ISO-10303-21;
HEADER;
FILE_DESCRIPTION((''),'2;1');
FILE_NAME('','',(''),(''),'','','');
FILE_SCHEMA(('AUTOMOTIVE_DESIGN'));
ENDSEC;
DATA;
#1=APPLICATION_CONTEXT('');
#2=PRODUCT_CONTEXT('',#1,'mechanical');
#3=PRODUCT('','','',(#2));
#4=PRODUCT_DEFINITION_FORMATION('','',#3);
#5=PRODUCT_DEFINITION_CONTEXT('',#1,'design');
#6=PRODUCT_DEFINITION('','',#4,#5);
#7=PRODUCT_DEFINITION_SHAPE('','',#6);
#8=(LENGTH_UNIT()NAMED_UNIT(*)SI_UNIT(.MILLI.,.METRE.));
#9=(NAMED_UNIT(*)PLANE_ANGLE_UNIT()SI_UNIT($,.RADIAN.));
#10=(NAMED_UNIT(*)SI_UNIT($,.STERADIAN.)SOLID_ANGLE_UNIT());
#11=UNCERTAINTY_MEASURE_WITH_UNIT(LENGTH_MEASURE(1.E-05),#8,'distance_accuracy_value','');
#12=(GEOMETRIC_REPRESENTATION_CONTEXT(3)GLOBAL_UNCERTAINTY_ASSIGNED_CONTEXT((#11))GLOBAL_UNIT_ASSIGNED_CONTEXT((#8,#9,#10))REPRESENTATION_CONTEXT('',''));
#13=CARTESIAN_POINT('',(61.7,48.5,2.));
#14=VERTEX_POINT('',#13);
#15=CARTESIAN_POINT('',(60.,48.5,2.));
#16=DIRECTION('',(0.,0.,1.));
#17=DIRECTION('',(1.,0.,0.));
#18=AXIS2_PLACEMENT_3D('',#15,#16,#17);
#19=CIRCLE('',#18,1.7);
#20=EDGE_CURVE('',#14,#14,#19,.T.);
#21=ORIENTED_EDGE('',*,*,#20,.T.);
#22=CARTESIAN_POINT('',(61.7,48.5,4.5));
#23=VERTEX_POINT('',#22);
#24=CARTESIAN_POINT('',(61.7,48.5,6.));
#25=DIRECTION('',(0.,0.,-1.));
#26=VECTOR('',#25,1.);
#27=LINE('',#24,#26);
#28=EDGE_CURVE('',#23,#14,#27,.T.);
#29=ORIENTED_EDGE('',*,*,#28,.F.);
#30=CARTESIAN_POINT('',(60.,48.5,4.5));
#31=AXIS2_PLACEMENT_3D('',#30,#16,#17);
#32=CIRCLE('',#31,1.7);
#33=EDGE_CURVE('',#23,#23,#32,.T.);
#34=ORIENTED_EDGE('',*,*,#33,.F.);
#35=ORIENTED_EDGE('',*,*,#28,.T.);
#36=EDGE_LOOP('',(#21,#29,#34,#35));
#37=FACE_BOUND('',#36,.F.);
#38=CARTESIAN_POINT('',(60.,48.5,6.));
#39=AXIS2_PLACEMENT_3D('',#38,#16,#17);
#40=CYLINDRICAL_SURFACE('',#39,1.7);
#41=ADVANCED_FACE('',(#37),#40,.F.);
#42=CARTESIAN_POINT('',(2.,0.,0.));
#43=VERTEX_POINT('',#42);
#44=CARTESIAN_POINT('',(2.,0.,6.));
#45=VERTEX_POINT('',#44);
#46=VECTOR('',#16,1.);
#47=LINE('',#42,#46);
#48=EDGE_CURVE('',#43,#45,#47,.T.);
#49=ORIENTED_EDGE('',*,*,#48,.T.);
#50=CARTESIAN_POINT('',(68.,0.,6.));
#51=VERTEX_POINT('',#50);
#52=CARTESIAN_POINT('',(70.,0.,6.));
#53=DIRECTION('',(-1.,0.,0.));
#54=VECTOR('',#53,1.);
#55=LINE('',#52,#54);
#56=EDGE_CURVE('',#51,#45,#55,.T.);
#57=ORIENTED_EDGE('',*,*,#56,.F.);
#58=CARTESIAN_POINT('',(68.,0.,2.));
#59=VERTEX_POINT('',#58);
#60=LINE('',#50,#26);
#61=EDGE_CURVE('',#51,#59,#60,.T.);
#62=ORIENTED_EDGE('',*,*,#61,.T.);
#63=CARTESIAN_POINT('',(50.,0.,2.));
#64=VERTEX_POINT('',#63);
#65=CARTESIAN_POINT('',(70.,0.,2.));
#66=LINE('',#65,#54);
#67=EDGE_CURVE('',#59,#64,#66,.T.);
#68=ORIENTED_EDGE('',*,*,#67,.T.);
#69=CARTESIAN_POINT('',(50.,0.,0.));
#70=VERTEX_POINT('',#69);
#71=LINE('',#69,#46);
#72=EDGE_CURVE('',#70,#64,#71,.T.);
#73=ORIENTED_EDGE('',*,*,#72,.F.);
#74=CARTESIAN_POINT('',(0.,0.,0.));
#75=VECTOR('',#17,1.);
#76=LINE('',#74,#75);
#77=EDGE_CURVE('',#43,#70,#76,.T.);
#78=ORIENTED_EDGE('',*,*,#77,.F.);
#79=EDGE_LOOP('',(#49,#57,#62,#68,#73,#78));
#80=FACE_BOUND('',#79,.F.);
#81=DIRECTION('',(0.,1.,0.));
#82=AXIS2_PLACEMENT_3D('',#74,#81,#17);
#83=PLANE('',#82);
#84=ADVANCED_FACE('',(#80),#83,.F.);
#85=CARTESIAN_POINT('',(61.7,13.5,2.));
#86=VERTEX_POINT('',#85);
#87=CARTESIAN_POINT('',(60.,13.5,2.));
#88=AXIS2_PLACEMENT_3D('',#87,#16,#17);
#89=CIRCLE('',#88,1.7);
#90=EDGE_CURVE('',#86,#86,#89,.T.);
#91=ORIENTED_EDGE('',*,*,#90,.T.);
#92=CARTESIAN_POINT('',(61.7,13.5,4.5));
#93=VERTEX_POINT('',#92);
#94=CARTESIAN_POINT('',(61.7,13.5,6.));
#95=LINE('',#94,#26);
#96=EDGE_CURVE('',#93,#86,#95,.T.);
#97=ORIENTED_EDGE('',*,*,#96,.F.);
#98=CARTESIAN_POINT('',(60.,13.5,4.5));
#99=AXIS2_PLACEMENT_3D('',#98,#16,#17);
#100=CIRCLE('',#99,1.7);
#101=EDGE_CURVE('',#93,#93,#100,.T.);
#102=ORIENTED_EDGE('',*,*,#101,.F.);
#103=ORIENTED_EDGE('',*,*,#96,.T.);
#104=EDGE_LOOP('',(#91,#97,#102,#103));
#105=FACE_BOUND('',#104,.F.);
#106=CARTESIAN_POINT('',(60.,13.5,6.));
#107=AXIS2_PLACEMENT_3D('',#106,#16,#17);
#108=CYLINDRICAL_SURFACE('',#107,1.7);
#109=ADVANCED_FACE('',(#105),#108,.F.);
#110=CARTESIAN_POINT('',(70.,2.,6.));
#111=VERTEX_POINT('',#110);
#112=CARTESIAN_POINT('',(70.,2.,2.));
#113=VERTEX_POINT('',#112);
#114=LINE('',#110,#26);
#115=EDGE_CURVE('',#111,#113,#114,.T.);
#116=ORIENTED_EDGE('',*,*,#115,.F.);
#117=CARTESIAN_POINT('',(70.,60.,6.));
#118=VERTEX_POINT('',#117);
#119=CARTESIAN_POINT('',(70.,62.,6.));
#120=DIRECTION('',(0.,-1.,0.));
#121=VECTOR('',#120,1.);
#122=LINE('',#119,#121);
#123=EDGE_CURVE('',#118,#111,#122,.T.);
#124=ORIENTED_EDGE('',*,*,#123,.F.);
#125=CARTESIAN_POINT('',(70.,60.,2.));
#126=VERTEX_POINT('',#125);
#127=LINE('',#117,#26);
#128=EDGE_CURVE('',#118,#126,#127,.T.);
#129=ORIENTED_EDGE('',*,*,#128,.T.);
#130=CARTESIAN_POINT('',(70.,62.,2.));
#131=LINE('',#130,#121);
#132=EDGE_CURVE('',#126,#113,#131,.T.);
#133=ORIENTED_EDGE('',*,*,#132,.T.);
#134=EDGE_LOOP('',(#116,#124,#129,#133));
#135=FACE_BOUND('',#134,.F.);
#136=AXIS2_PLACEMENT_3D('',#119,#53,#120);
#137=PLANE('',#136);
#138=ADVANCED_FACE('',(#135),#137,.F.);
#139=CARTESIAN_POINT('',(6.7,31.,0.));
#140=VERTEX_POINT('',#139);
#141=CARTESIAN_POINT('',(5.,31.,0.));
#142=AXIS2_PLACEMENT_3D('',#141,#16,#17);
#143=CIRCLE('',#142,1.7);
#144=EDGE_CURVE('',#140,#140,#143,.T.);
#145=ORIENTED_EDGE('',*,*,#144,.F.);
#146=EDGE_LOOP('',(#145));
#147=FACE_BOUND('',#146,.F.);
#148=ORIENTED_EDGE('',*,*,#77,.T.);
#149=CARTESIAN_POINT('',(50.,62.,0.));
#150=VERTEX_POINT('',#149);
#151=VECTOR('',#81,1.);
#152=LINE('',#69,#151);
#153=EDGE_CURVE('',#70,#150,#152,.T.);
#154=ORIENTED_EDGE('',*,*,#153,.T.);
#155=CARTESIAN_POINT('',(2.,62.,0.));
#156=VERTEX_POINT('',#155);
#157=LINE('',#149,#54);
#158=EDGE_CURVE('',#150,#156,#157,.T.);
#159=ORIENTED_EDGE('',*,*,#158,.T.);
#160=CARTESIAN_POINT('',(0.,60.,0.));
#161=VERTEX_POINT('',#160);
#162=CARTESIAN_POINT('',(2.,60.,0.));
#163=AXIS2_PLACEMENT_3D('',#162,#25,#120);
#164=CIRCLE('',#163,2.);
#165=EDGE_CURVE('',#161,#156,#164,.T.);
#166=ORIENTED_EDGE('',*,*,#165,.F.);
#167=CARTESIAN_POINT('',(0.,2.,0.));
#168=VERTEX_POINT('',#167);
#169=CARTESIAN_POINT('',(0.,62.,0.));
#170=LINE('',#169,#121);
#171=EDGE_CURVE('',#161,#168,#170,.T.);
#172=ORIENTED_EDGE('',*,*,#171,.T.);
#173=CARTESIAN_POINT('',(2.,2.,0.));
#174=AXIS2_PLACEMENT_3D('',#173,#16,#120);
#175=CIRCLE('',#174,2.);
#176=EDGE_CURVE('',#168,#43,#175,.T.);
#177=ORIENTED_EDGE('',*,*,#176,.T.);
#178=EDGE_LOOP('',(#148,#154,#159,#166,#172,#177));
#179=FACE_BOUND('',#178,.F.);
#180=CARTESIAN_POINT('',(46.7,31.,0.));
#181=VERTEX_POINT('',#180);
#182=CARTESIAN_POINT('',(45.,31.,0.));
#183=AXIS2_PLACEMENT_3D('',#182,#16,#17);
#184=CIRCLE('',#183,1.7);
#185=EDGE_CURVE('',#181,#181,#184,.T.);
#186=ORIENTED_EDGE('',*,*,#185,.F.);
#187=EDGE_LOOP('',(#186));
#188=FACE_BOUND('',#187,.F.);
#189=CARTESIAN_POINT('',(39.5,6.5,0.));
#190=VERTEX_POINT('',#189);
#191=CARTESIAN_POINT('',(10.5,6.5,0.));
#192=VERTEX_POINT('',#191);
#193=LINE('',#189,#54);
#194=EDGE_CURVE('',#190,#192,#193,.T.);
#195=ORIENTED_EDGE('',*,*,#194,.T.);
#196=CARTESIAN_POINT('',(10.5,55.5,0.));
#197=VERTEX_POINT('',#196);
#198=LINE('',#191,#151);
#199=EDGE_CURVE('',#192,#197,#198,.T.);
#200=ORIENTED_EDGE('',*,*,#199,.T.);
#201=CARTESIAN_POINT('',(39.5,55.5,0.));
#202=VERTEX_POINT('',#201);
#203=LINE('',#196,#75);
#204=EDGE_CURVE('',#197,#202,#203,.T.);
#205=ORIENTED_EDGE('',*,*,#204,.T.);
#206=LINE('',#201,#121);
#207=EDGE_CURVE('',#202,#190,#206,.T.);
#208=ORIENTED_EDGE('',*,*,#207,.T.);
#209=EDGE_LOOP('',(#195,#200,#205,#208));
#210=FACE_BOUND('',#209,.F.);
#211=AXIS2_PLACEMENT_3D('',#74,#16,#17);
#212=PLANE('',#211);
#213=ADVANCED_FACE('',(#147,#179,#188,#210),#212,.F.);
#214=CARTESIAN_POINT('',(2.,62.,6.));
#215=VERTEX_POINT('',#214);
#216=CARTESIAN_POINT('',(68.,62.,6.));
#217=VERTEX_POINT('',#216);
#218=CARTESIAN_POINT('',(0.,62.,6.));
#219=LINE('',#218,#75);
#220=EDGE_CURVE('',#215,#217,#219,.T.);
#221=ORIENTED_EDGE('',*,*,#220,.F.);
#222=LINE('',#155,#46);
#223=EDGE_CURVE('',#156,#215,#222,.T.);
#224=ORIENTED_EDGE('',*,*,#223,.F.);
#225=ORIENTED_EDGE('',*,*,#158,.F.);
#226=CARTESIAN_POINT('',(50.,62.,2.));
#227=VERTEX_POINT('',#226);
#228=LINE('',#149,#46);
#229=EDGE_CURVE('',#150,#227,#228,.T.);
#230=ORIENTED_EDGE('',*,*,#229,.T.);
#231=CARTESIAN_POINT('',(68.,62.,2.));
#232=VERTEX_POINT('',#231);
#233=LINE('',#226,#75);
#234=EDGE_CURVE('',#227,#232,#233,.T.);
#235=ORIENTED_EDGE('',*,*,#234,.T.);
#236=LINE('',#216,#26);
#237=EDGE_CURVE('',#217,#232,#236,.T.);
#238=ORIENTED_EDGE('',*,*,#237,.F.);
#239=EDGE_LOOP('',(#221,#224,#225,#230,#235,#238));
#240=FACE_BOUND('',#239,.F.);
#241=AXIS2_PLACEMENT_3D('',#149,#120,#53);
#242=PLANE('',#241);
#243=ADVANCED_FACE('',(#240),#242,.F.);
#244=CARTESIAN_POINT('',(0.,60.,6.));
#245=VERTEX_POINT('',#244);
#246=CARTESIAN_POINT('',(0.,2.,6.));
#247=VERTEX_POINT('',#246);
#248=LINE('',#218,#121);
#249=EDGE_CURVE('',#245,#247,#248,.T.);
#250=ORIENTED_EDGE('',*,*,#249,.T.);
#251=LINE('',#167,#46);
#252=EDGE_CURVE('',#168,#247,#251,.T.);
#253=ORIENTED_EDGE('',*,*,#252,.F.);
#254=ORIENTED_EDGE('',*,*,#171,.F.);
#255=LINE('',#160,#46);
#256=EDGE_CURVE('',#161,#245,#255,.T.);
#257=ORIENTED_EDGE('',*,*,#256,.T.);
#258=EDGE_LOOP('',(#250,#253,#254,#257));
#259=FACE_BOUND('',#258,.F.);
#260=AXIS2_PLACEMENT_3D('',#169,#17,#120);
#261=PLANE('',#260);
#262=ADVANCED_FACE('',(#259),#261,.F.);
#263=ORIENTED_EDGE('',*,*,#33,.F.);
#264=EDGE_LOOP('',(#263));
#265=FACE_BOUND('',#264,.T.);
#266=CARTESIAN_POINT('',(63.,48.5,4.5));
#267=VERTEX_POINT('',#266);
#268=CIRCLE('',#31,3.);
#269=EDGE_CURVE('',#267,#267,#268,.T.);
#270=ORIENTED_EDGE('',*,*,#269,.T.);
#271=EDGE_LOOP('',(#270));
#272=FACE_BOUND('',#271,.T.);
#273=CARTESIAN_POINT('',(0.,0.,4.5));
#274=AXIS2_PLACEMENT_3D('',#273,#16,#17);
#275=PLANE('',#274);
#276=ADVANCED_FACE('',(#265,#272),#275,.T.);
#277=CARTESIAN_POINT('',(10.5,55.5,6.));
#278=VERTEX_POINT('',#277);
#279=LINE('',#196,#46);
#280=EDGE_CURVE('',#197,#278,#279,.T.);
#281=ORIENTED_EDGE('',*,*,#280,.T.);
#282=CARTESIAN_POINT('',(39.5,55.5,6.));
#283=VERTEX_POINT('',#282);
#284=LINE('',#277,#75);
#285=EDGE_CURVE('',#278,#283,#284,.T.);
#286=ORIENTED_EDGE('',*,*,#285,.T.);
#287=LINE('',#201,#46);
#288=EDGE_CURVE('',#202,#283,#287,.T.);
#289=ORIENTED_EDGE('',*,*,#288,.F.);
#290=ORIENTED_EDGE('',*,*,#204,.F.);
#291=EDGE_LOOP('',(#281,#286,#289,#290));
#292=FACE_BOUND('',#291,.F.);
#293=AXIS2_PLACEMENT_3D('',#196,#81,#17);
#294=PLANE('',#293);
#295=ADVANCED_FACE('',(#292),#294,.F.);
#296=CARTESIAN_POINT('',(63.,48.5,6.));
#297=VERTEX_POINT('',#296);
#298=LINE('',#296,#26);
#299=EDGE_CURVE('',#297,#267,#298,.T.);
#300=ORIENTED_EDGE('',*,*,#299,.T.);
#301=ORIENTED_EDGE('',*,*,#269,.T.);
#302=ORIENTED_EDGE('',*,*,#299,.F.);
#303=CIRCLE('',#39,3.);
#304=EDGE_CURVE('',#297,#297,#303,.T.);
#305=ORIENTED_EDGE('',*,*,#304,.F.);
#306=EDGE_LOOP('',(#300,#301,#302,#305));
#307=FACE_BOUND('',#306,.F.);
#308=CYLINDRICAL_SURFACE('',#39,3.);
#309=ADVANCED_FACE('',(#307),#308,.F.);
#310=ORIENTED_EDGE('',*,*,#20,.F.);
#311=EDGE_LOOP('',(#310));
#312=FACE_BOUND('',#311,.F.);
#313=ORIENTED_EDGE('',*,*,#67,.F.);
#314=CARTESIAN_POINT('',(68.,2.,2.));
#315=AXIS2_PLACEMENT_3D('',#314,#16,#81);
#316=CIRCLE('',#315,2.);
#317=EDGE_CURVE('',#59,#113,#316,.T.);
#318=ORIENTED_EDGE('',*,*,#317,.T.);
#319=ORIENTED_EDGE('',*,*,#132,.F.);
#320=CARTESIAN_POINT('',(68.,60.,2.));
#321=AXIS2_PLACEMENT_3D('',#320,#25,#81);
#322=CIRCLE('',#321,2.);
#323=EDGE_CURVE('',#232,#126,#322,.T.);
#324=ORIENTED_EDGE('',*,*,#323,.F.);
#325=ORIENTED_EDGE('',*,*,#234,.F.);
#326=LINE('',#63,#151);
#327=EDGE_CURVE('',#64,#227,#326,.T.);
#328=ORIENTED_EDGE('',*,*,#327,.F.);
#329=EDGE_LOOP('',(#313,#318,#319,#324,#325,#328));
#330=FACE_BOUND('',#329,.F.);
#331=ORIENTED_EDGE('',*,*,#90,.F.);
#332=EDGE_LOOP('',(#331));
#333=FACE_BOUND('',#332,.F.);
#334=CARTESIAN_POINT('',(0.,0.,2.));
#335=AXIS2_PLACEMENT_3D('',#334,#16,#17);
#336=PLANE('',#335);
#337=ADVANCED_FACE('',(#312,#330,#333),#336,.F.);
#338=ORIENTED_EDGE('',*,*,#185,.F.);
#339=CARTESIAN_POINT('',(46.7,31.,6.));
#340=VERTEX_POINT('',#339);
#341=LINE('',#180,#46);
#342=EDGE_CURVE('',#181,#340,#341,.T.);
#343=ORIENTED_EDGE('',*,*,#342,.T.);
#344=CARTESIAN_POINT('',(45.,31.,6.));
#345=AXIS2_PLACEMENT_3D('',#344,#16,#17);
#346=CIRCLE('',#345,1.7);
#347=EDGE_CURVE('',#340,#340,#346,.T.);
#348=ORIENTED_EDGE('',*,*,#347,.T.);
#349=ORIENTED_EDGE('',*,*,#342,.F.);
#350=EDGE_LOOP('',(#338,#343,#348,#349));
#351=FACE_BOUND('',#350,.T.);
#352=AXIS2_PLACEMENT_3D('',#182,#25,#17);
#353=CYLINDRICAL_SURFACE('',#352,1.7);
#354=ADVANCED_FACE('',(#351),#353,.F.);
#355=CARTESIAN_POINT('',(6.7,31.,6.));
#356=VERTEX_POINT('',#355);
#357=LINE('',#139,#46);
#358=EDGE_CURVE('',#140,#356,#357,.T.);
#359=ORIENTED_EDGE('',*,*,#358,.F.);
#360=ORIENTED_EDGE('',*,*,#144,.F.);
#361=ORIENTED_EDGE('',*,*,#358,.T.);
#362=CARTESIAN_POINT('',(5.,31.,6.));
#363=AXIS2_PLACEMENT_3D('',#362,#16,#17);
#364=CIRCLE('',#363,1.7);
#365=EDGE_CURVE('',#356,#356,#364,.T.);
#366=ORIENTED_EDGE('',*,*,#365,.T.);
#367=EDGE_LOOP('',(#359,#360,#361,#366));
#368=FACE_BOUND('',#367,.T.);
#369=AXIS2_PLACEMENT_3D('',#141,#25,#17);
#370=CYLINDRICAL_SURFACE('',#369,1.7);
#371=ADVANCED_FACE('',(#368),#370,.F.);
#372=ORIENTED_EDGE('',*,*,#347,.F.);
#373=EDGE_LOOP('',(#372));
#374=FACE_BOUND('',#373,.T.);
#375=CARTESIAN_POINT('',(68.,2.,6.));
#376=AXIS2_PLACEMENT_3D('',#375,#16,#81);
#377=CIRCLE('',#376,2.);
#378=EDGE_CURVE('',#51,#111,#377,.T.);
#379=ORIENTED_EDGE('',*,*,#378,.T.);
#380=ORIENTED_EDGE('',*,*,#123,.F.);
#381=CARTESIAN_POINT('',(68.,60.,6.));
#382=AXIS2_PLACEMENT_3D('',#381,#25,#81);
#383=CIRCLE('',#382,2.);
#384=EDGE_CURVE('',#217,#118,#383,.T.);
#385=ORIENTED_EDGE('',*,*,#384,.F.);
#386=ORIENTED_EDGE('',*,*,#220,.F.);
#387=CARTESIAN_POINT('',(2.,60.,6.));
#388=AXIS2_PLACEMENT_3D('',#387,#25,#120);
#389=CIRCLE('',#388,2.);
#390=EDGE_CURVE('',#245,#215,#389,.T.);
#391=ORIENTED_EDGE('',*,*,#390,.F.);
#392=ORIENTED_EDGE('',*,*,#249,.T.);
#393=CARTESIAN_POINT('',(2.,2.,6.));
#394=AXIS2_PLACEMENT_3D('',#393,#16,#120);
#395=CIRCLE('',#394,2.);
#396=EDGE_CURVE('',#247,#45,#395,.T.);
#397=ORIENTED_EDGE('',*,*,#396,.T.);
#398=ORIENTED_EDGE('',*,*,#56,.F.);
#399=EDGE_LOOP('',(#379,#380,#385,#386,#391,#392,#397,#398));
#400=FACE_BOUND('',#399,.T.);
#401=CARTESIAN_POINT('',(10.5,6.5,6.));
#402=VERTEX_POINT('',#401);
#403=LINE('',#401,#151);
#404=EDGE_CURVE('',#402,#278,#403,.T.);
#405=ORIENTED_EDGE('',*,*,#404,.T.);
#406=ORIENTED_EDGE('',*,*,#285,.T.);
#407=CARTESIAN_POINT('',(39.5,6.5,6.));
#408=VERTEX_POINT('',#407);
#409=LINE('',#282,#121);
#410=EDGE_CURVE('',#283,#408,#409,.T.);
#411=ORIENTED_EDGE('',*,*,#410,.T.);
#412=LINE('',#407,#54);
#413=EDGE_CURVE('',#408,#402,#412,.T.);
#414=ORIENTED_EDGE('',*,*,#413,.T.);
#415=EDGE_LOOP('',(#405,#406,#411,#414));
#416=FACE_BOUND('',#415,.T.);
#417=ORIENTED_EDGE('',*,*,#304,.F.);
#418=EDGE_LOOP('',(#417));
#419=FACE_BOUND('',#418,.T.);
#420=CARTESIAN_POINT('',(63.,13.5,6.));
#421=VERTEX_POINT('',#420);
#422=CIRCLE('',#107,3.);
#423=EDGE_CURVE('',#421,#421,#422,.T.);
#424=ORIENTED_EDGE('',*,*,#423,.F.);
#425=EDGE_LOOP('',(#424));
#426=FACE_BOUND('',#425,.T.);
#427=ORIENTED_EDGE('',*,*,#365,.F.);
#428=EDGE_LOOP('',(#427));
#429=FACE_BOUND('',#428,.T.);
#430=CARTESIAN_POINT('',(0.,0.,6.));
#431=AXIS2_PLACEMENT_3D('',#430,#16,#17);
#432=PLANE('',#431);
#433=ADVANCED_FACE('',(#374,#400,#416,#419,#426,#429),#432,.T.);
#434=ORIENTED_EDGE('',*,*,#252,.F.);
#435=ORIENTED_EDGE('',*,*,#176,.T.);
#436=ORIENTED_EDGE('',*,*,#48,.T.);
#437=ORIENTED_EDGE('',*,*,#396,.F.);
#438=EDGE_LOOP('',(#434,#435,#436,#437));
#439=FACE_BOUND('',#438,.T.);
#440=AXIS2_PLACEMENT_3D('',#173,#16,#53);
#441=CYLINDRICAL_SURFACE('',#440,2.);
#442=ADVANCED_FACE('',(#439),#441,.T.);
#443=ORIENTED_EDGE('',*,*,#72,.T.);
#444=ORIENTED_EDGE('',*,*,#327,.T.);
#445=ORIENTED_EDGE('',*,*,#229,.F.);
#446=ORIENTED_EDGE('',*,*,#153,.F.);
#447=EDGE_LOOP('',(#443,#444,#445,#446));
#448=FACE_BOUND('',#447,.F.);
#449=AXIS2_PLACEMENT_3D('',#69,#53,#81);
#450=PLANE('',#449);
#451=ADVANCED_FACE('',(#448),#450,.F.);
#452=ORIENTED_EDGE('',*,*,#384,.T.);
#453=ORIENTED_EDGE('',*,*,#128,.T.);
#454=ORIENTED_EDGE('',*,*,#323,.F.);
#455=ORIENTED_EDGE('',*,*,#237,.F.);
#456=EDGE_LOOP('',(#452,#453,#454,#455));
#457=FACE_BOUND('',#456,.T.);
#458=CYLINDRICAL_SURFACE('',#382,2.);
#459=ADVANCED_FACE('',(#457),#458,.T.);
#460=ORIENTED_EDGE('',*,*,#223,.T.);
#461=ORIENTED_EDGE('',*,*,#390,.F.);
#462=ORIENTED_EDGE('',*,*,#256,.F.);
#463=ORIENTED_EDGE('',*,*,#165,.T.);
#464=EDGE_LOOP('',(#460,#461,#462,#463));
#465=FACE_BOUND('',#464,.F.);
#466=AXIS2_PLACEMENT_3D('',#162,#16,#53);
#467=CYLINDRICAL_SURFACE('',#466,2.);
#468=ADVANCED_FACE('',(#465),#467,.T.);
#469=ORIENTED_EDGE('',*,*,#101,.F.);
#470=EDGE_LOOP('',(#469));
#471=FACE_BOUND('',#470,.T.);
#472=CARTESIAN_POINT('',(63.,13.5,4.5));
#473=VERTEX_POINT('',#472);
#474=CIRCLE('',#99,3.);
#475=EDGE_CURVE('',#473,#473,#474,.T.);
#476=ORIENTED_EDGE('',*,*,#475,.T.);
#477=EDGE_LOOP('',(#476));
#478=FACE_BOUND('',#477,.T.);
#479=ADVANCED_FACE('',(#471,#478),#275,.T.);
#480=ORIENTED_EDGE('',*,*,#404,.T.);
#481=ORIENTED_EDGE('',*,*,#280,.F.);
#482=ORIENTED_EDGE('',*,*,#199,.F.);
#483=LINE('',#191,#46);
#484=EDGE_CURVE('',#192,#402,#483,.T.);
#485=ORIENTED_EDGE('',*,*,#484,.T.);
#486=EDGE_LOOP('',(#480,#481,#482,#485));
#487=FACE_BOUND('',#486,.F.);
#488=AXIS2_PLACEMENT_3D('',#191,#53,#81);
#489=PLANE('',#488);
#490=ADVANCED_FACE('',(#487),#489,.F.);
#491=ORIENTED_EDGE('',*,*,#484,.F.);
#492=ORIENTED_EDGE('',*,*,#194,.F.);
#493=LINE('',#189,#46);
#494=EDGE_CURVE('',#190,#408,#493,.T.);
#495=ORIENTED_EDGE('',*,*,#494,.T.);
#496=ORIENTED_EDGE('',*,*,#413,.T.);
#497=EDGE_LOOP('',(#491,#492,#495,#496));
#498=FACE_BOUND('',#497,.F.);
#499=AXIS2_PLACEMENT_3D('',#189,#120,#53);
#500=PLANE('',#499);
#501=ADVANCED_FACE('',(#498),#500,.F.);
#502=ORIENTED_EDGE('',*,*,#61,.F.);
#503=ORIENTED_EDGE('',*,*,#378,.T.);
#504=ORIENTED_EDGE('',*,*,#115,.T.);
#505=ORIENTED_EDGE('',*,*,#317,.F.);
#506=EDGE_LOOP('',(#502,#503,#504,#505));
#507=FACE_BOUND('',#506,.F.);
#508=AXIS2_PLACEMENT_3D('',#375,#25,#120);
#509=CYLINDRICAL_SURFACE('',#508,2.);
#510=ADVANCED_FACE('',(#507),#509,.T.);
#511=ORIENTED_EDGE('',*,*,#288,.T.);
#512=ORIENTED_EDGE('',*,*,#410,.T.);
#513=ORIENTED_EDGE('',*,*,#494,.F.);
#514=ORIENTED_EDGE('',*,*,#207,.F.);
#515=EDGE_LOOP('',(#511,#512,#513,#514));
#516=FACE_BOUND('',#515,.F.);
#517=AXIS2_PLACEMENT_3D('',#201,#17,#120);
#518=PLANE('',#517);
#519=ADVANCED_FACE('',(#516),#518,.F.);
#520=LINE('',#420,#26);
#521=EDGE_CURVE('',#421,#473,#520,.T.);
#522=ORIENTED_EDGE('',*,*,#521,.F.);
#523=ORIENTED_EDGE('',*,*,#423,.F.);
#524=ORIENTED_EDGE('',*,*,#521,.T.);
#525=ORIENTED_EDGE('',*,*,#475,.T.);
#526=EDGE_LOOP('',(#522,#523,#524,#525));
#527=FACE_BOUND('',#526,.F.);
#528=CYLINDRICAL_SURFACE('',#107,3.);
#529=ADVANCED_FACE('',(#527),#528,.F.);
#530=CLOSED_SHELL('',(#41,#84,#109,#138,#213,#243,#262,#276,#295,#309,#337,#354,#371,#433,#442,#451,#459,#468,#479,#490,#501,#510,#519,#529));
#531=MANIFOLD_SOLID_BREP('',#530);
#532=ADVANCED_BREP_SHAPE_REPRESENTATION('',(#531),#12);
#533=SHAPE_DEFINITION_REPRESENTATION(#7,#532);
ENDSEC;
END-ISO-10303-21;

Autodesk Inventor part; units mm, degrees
ref_plane "YZ Plane" through (0, 0, 0) normal (1, 0, 0) x (0, 1, 0)
ref_plane "XZ Plane" through (0, 0, 0) normal (0, 1, 0) x (-1, 0, 0)
ref_plane "XY Plane" through (0, 0, 0) normal (0, 0, 1) x (1, 0, 0)
sketch "Sketch1" plane through (0, 0, 0) normal (0, 0, 1) x (1, 0, 0)
  line L0 (0, 0) -> (50, 0)
  line L1 (50, 0) -> (50, 62)
  line L2 (50, 62) -> (0, 62)
  line L3 (0, 62) -> (0, 0)
  circle A0 centre (5, 31) radius 1.7
  circle A1 centre (45, 31) radius 1.7
  line L4 (10.5, 55.5) -> (39.5, 55.5)
  line L5 (39.5, 55.5) -> (39.5, 6.5)
  line L6 (39.5, 6.5) -> (10.5, 6.5)
  line L7 (10.5, 6.5) -> (10.5, 55.5)
  line L8 (25, 55.5) -> (25, 6.5) construction
  point P0 (10.5, 31)
  point P1 (39.5, 31)
  point P2 (50, 31)
  dimension "d0" = 3.4
  dimension "d1" = 3.4
  dimension "d2" = 40
  dimension "d3" = 29
  dimension "d4" = 49
  dimension "d5" = 5
  dimension "d6" = 5
  dimension "d7" = 62
extrude "Extrusion1" add sketch "Sketch1" along normal blind 6
sketch "Sketch3" plane through (0, 0, 6) normal (0, 0, 1) x (1, 0, 0)
  line L0 (50, 62) -> (0, 62) projected
  line L1 (50, 62) -> (70, 62)
  line L2 (70, 62) -> (70, 0)
  line L3 (70, 0) -> (50, 0)
  line L4 (50, 0) -> (50, 62)
  circle A0 centre (60, 48.5) radius 1.7
  circle A1 centre (60, 13.5) radius 1.7
  line L5 (60, 48.5) -> (60, 13.5) construction
  point P0 (0, 0)
  point P1 (60, 0)
  point P2 (60, 31)
  point P3 (70, 31)
  dimension "d14" = 20
  dimension "d15" = 3.4
  dimension "d16" = 3.4
  dimension "d17" = 35
extrude "Extrusion3" add sketch "Sketch3" against normal blind 4
sketch "Sketch4" plane through (0, 0, 6) normal (0, 0, 1) x (1, 0, 0)
  circle A0 centre (60, 48.5) radius 1.7 projected
  circle A1 centre (60, 13.5) radius 1.7 projected
  circle A2 centre (60, 48.5) radius 1.7 projected
  circle A3 centre (60, 48.5) radius 3
  circle A4 centre (60, 13.5) radius 1.7 projected
  circle A5 centre (60, 13.5) radius 3
  point P0 (0, 0)
  dimension "d20" = 6
  dimension "d21" = 6
extrude "Extrusion4" cut sketch "Sketch4" against normal blind 1.5
fillet "Fillet1" radius 2 4 edges at (0, 62, 3) (0, 0, 3) (70, 0, 4) (70, 62, 4)
properties part number "power_switch_bracket"
